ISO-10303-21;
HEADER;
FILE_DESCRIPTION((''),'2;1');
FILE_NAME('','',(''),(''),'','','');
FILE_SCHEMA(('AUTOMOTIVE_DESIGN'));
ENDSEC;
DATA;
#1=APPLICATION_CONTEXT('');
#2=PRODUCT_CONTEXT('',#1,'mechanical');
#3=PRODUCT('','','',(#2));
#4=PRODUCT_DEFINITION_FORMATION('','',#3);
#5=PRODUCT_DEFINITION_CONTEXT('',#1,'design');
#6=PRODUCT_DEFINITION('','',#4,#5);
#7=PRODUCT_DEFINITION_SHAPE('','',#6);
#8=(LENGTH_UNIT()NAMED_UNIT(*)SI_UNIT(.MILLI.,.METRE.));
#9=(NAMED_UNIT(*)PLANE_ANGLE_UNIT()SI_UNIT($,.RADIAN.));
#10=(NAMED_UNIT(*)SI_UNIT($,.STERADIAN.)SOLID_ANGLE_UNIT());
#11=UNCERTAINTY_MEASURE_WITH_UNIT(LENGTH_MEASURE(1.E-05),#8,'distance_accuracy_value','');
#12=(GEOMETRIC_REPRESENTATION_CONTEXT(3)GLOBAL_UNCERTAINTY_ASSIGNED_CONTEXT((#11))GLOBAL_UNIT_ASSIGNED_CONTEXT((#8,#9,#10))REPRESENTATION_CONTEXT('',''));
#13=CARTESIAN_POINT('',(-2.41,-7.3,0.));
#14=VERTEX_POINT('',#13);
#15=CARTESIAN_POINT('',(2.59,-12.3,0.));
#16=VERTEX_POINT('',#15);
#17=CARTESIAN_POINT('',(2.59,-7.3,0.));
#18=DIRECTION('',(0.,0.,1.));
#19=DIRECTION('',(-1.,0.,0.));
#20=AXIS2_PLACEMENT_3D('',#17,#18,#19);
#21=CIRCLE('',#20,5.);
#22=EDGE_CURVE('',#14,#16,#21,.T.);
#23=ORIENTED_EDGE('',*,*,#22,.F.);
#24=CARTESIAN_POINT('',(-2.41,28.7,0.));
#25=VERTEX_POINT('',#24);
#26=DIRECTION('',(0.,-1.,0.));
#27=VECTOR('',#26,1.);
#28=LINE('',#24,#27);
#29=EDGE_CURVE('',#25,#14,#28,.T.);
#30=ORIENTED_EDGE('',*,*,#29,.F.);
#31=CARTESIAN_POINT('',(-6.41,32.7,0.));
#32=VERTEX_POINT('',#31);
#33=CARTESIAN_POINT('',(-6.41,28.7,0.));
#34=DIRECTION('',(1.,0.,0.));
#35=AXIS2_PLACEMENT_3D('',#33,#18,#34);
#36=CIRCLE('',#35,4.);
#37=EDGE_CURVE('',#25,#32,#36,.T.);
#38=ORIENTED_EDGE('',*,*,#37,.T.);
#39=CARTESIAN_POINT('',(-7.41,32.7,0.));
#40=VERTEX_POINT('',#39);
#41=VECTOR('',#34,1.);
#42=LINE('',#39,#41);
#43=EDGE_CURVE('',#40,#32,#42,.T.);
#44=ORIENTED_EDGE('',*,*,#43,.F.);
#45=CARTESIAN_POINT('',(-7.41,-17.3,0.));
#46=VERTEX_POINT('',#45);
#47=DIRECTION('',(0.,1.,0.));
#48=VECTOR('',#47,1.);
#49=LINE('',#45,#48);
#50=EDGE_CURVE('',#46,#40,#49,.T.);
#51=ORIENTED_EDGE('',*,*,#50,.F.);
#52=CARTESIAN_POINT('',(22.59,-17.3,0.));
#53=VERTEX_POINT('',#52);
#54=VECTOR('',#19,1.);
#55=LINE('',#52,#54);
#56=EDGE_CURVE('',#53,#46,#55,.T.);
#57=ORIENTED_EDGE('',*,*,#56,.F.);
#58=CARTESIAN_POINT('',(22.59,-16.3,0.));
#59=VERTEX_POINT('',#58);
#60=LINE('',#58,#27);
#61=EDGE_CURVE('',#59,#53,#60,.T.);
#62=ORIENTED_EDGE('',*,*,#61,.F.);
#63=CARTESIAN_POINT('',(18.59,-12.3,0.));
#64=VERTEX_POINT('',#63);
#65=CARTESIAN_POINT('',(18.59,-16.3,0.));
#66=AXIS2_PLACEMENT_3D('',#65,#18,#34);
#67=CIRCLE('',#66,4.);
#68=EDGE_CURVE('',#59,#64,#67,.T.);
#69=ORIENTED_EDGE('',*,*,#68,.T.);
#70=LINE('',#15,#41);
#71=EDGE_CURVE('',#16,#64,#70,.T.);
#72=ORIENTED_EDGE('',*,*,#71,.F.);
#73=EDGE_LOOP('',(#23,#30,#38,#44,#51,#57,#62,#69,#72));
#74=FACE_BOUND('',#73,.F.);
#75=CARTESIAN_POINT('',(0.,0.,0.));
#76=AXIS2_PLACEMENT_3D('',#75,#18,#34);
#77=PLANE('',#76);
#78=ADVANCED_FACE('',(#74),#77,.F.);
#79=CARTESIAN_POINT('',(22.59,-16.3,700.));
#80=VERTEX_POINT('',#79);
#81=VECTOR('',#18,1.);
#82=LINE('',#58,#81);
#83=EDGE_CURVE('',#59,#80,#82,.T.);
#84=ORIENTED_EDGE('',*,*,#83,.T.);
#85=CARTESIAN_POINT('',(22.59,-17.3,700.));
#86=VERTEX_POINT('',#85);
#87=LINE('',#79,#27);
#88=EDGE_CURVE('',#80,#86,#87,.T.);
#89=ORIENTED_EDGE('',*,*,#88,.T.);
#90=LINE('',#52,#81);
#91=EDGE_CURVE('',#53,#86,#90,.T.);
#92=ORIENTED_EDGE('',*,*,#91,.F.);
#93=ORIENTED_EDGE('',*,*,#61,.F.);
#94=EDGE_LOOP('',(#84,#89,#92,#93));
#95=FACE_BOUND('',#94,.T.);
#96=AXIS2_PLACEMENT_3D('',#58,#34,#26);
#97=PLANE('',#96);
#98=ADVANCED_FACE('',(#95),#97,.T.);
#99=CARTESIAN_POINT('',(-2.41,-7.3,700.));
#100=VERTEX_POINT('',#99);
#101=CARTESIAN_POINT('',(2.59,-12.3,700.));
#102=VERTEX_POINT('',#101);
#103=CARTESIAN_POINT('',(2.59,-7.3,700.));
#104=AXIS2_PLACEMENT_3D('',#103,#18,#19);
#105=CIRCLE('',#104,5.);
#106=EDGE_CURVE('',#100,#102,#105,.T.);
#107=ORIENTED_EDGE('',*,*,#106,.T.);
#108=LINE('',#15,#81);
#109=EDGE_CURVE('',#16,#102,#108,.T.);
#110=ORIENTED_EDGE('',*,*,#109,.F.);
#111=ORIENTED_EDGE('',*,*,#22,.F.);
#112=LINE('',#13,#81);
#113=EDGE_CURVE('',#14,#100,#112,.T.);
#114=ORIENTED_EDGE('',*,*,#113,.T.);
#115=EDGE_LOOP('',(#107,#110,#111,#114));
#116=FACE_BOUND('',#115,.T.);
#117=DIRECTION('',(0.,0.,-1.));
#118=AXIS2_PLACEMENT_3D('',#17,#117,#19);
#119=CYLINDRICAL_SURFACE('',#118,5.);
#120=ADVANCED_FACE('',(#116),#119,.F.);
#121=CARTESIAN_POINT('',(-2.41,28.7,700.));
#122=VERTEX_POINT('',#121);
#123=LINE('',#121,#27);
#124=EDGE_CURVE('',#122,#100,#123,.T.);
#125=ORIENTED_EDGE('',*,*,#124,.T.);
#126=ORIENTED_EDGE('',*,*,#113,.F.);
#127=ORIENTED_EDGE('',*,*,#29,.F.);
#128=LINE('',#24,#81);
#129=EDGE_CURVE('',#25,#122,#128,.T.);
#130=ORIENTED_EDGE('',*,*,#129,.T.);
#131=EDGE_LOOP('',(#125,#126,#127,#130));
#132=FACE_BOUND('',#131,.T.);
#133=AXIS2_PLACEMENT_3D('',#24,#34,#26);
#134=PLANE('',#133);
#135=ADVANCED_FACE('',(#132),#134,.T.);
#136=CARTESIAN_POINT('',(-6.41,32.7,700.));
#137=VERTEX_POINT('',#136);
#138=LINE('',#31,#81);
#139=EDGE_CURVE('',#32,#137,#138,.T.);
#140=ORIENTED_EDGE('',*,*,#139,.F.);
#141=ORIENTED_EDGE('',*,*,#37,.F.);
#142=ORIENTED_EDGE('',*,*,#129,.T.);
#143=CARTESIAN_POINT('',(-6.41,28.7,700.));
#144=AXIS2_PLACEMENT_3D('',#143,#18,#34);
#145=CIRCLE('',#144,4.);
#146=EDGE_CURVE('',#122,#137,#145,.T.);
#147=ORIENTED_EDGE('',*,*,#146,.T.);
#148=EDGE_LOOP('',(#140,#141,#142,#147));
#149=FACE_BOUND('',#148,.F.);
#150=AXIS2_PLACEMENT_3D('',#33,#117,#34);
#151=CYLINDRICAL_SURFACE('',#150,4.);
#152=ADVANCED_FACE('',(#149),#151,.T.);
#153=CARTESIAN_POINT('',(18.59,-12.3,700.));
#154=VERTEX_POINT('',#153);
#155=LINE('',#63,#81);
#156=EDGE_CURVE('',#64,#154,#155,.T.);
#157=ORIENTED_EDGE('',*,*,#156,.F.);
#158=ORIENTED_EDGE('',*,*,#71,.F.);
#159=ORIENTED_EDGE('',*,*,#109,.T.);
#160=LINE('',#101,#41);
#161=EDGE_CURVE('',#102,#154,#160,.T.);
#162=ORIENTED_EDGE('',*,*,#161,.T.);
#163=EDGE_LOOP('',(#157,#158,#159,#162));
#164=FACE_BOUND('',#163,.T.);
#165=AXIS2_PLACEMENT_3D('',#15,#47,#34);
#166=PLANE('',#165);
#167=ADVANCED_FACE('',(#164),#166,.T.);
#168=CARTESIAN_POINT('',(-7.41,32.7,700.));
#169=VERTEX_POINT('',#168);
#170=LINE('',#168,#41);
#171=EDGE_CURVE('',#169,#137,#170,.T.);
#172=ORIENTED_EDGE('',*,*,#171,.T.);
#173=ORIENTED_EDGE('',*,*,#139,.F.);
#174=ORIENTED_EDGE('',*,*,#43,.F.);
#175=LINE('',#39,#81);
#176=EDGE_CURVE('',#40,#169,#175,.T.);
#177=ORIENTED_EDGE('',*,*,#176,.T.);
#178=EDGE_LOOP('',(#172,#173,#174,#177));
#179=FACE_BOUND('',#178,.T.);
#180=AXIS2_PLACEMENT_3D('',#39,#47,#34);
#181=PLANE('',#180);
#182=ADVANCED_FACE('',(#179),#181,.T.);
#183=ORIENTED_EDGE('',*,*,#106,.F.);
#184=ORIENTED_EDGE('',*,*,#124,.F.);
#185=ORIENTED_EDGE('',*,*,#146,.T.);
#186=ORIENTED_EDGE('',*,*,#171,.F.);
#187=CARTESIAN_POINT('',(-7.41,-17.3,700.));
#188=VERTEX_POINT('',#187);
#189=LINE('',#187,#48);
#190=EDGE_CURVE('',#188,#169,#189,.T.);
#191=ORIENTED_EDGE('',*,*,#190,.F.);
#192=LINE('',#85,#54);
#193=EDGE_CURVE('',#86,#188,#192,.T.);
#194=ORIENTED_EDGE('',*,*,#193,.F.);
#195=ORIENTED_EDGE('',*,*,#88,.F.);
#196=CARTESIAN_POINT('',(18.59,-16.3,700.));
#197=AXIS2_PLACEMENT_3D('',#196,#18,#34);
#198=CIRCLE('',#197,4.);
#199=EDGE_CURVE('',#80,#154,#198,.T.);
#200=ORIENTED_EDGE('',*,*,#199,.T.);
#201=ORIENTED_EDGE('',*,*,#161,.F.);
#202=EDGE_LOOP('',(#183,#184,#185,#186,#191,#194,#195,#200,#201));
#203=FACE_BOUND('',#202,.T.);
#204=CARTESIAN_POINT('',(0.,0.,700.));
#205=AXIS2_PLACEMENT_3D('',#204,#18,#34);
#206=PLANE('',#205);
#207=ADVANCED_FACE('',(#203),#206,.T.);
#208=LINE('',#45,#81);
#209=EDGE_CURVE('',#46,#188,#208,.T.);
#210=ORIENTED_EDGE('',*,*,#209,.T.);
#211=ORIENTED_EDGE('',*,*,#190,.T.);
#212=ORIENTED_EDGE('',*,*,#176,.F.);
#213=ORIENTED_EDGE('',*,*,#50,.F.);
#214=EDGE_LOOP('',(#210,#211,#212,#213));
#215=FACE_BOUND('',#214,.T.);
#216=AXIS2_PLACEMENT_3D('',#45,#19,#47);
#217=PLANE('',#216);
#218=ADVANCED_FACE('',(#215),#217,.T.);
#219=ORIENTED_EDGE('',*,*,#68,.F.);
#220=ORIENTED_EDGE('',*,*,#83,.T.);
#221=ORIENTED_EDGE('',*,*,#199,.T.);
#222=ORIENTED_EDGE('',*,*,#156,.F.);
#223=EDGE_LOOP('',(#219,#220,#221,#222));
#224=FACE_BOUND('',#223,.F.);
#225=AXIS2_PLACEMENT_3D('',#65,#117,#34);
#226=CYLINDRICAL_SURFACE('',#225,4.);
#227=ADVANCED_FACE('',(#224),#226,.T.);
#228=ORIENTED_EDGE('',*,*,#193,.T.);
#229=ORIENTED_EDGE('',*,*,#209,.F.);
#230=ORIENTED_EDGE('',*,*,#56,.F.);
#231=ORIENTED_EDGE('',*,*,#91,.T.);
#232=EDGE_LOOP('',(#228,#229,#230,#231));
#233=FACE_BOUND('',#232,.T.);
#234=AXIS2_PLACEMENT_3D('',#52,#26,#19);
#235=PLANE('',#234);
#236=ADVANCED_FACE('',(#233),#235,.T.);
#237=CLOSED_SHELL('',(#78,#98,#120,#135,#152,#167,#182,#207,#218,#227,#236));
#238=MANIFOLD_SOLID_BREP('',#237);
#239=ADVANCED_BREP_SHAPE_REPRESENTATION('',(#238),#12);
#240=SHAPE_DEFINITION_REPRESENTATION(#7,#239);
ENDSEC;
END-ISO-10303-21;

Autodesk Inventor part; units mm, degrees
ref_plane "YZ Plane" through (0, 0, 0) normal (1, 0, 0) x (0, 1, 0)
ref_plane "Start Plane" through (0, 0, 0) normal (0, 0, 1) x (1, 0, 0)
ref_plane "End Plane" through (0, 0, 700) normal (0, 0, 1) x (1, 0, 0)
sketch "Sketch" plane through (0, 0, 0) normal (0, 0, 1) x (1, 0, 0)
  line L0 (-2.41, 28.7) -> (-2.41, -7.3)
  line L1 (-7.41, 32.7) -> (-6.41, 32.7)
  line L2 (-7.41, -17.3) -> (-7.41, 32.7)
  line L3 (22.59, -17.3) -> (-7.41, -17.3)
  line L4 (22.59, -16.3) -> (22.59, -17.3)
  line L5 (2.59, -12.3) -> (18.59, -12.3)
  arc A0 (-2.41, -7.3) -> (2.59, -12.3) centre (2.59, -7.3) ccw
  arc A1 (-2.41, 28.7) -> (-6.41, 32.7) centre (-6.41, 28.7) ccw
  arc A2 (22.59, -16.3) -> (18.59, -12.3) centre (18.59, -16.3) ccw
  line L6 (0, 43.6941) -> (0, -27.4657) construction
  line L7 (-13.5757, 0) -> (29.5841, 0) construction
  point P0 (-2.41, 32.7)
  point P1 (-2.41, -12.3)
  point P2 (22.59, -12.3)
  dimension "d4" = 30
  dimension "d6" = 50
  dimension "d8" = 5
  dimension "d10" = 5
  dimension "d17" = 5
  dimension "d18" = 4
  dimension "d19" = 17.3
  dimension "d20" = 7.41
extrude "Body" add sketch "Sketch" along normal up to surface (700 mm away) from surface at 0
sketch "Sketch3" plane through (0, 0, 0) normal (0, 0, 1) x (1, 0, 0)
  line L0 (0, 0) -> (10, 0)
ref_plane "Work Plane10" through (0, 0, 0) normal (0, -1, 0) x (1, 0, 0)
sketch "Sketch4" plane through (0, 0, 0) normal (0, -1, 0) x (1, 0, 0)
  line L0 (-2, 0) -> (12, 0)
  line L1 (-2, 700) -> (12, 700)
  dimension "d24" = 700
equation "\"d4\" = b"
equation "\"d6\" = ParH"
equation "\"d8\" = ParT"
equation "\"d10\" = ParT"
equation "\"d17\" = R"
equation "\"d18\" = R1"
equation "\"d19\" = ex"
equation "\"d20\" = ey"
equation "\"d11\" = G_L"
equation "\"b\" = 30"
equation "\"ParT\" = 5"
equation "\"R1\" = 4"
equation "\"G_L\" = d24"
equation "\"ParH\" = 50"
equation "\"R\" = 5"
equation "\"ey\" = 7.41"
equation "\"ex\" = 17.3"
equation "\"G_OFFSET_START\" = 0"
properties part number "ISO 657-2 - 50x 30x 5-700" material "Steel, Mild"
